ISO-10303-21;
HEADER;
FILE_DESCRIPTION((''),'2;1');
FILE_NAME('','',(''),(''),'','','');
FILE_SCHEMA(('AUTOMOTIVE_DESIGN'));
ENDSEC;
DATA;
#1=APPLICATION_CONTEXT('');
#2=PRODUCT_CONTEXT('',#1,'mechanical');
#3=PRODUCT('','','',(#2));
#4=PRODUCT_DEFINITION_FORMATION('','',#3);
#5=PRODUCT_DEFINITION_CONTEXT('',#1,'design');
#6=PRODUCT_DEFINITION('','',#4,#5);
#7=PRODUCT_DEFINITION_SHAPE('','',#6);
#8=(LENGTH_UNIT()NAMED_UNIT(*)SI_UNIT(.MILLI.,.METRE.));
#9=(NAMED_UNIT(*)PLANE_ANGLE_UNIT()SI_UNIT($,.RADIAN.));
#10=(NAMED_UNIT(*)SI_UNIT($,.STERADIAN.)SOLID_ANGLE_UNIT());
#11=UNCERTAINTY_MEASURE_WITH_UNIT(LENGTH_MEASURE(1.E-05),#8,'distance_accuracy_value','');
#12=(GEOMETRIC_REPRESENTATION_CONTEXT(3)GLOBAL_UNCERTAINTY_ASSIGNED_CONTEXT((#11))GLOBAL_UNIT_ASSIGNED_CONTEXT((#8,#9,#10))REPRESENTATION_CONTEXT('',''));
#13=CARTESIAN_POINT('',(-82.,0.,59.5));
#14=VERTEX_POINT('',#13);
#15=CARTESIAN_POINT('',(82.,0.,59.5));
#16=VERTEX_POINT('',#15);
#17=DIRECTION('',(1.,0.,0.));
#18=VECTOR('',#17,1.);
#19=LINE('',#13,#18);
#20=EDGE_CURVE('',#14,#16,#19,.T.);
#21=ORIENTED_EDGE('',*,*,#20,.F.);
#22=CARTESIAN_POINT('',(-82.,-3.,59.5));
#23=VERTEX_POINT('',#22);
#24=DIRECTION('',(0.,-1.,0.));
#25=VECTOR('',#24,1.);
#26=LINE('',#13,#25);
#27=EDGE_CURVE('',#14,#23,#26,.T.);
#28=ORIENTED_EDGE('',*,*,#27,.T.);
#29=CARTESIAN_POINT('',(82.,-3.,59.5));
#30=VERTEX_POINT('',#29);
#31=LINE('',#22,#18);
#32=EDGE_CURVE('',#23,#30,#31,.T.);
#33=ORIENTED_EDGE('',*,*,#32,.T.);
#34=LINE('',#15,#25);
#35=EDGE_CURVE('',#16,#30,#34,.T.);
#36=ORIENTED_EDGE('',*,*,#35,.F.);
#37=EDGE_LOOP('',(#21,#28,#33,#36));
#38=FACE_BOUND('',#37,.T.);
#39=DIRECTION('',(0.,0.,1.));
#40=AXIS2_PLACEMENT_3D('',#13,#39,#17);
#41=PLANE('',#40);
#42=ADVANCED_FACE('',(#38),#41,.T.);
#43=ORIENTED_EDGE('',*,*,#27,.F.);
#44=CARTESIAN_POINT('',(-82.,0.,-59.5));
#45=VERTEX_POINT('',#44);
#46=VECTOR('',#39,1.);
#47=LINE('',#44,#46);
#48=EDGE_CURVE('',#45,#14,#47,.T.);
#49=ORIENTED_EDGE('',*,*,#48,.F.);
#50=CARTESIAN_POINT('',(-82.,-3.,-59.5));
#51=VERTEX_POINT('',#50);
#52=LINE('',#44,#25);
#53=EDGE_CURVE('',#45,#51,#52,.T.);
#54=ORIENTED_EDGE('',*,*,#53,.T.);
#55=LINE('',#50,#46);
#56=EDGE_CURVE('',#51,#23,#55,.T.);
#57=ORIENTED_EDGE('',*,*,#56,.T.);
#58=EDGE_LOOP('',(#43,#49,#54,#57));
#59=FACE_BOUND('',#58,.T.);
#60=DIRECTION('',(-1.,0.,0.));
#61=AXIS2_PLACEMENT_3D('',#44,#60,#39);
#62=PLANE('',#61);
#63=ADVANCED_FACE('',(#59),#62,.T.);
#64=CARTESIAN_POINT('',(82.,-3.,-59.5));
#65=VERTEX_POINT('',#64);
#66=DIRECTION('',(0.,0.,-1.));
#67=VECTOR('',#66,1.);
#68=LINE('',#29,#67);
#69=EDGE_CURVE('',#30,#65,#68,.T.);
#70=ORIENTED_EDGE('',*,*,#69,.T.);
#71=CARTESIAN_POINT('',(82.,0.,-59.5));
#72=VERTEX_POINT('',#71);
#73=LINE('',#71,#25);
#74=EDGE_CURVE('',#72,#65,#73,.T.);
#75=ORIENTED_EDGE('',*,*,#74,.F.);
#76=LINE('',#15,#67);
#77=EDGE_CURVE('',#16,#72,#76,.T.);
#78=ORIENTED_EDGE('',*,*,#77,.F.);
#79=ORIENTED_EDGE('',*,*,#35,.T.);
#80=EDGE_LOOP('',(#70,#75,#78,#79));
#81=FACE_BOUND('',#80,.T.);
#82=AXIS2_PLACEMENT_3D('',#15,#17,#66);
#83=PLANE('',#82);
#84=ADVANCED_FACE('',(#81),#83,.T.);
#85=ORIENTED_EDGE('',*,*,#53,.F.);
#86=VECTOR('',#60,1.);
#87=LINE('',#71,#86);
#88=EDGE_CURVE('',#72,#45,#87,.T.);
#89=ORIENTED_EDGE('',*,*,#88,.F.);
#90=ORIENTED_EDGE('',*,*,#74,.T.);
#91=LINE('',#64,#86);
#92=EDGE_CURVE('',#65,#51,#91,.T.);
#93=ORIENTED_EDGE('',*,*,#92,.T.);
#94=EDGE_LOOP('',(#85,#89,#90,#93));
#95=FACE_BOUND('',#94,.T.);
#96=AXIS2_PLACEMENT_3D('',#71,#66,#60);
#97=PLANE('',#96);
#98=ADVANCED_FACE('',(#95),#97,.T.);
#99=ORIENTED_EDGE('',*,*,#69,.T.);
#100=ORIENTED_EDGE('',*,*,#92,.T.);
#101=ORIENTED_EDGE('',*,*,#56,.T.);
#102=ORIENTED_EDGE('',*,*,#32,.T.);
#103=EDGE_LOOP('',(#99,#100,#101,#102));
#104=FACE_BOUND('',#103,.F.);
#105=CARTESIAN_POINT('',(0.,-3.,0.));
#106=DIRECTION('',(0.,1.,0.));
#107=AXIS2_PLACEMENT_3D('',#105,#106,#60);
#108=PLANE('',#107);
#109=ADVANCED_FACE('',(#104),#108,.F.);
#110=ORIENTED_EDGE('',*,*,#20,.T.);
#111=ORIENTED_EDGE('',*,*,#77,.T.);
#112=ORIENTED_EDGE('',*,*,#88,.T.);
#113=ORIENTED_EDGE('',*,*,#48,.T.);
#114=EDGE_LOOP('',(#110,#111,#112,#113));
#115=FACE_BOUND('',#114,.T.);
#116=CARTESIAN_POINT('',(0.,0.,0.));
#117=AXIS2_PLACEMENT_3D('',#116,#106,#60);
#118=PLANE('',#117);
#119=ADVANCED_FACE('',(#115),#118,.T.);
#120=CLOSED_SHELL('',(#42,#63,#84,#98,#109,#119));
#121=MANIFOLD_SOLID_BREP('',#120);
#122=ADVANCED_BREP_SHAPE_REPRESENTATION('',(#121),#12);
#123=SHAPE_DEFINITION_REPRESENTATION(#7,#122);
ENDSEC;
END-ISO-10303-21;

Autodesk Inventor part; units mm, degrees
ref_plane "YZ Plane" through (0, 0, 0) normal (1, 0, 0) x (0, 1, 0)
ref_plane "XZ Plane" through (0, 0, 0) normal (0, 1, 0) x (-1, 0, 0)
ref_plane "XY Plane" through (0, 0, 0) normal (0, 0, 1) x (1, 0, 0)
sketch "Sketch1" plane through (0, 0, 0) normal (0, 1, 0) x (-1, 0, 0)
  line L0 (82, 59.5) -> (-82, 59.5)
  line L1 (-82, 59.5) -> (-82, -59.5)
  line L2 (-82, -59.5) -> (82, -59.5)
  line L3 (82, -59.5) -> (82, 59.5)
  line L4 (82, 59.5) -> (-82, -59.5) construction
  line L5 (-82, 59.5) -> (82, -59.5) construction
  point P0 (0, 0)
  dimension "d0" = 164
  dimension "d1" = 119
extrude "Extrusion1" add sketch "Sketch1" against normal blind 3
properties part number "Base" material "Wood (Cherry)"
